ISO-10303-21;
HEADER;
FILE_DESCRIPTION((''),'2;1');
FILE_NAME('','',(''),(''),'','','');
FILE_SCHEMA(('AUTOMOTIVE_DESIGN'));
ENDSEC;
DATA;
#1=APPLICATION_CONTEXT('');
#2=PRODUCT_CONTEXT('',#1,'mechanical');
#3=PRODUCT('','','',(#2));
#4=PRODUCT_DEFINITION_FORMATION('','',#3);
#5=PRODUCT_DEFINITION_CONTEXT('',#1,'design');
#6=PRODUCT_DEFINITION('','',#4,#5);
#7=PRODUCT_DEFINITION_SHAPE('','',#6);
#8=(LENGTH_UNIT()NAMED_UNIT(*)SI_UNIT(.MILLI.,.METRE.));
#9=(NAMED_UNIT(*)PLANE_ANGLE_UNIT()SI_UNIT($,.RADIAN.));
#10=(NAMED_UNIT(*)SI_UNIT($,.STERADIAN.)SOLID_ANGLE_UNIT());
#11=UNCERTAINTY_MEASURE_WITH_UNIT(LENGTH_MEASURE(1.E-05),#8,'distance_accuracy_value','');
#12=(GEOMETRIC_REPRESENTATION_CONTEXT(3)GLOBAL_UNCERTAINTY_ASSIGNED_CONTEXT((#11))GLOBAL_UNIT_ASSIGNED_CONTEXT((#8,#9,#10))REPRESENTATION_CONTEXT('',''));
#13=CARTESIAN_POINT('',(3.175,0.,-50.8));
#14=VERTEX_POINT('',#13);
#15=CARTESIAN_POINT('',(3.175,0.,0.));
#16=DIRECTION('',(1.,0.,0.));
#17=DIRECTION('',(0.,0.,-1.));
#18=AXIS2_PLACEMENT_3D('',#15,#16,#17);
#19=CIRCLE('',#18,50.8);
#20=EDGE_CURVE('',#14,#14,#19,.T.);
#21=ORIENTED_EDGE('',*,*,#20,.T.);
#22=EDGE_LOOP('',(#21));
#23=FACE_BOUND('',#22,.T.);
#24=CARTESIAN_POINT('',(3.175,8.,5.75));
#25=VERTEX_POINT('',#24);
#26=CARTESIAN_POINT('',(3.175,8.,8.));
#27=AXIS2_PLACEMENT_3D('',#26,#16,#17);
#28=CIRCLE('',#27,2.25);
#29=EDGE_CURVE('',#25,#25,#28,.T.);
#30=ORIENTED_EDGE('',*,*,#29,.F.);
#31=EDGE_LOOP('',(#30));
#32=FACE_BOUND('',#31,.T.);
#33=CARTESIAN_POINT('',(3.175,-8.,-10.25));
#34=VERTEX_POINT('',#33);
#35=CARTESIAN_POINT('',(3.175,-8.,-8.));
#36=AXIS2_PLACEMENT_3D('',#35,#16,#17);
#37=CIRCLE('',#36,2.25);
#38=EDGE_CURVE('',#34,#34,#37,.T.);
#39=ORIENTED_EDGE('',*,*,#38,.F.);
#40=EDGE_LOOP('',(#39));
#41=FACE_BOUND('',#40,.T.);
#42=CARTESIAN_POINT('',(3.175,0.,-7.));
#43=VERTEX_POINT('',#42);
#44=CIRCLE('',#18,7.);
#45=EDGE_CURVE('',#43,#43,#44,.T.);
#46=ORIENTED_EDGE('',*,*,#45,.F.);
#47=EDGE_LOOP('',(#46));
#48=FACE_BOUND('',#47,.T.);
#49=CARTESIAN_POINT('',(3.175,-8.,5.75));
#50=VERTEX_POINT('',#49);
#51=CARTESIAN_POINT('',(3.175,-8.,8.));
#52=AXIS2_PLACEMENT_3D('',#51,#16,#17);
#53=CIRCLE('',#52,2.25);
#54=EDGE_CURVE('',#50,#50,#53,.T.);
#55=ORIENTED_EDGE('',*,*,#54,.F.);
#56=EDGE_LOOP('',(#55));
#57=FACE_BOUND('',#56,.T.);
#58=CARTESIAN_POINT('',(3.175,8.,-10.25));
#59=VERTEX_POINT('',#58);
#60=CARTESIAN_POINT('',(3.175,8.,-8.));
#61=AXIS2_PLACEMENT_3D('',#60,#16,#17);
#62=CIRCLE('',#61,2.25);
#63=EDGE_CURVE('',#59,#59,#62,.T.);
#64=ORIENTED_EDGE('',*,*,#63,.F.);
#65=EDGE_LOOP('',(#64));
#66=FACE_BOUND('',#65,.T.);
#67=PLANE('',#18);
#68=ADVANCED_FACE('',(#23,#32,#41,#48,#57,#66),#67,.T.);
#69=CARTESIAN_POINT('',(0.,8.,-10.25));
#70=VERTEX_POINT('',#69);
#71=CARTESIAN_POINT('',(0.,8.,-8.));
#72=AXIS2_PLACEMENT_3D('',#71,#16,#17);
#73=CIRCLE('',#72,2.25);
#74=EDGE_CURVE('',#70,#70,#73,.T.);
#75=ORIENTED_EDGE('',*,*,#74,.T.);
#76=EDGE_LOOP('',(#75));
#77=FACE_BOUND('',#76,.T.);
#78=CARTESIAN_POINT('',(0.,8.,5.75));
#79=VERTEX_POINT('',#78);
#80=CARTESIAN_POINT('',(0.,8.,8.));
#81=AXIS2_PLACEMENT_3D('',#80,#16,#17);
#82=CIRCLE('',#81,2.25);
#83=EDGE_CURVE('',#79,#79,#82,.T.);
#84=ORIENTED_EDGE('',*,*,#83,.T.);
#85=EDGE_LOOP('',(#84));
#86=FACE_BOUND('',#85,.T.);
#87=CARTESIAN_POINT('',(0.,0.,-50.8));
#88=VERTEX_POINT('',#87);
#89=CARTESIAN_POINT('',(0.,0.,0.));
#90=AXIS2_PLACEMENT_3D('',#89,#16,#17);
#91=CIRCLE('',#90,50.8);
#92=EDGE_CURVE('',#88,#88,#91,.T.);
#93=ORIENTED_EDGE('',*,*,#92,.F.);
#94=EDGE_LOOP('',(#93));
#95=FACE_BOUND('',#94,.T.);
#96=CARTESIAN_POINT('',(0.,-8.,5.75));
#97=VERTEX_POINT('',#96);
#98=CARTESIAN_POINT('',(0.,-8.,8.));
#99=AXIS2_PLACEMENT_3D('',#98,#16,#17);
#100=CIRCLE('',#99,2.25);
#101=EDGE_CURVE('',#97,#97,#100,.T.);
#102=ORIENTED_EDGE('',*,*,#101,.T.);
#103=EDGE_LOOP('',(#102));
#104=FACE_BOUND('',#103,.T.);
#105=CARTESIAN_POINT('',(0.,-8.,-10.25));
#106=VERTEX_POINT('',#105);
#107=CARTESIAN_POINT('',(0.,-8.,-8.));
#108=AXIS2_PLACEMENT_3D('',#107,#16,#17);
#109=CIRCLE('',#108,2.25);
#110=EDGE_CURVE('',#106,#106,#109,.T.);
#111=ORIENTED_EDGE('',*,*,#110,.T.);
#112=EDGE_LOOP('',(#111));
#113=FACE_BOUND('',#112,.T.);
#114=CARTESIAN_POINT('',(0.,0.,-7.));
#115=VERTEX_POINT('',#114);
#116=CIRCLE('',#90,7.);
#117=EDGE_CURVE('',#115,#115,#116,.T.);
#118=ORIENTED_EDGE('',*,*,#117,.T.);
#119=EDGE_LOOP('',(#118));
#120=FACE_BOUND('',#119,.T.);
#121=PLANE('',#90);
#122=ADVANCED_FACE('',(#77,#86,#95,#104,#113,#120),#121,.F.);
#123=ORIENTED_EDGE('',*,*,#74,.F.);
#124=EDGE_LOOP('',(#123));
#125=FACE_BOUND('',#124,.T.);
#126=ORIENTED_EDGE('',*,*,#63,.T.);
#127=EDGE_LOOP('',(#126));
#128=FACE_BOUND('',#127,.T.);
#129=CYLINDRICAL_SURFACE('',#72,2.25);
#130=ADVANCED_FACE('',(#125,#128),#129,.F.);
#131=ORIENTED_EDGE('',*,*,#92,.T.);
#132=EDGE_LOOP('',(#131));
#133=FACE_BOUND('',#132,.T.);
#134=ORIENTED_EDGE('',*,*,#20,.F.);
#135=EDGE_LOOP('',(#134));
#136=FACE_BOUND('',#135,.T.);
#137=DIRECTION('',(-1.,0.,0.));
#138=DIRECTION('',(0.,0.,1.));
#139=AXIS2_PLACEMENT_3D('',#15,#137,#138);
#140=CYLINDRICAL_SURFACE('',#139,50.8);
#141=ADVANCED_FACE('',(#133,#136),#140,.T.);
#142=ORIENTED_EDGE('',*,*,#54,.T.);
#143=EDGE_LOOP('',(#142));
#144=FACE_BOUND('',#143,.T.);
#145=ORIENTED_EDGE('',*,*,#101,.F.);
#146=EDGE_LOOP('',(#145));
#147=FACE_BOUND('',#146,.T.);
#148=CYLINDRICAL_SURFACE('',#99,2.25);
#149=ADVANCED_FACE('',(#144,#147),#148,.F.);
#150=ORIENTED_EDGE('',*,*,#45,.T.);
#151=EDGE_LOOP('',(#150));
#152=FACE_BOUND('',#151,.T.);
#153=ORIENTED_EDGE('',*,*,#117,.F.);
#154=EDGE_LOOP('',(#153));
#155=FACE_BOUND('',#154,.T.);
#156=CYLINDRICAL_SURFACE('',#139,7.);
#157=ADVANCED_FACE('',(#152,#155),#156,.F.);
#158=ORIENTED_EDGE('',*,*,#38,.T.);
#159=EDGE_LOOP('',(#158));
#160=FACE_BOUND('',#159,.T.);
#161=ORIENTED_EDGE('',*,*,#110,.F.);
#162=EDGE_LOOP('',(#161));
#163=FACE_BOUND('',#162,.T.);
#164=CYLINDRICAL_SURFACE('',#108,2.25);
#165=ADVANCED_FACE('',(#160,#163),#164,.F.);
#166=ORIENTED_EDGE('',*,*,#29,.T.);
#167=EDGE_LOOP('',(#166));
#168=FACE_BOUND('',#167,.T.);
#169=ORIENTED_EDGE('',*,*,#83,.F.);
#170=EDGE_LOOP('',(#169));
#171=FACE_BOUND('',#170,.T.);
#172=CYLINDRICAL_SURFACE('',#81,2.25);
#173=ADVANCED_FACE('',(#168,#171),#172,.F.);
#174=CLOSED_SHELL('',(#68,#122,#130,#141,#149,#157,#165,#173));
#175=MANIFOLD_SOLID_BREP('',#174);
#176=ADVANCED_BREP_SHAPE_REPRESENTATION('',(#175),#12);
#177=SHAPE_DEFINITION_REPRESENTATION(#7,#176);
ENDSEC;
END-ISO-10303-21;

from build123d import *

# Parameters (mm, degrees)
SKETCH1_R           = 50.8
SKETCH1_R_2         = 7
BOSS_EXTRUDE2_DEPTH = 3.175
SKETCH2_R           = 2.25
CUT_EXTRUDE1_DEPTH  = 3.175


with BuildPart() as part:
    # Sketch1 → Boss-Extrude2 (new body)
    with BuildSketch(Plane.YZ):
        with Locations(Location((0, 0, 0), (0, 0, 270))):
            Circle(SKETCH1_R)
        with Locations(Location((0, 0, 0), (0, 0, 270))):
            Circle(SKETCH1_R_2, mode=Mode.SUBTRACT)
    extrude(amount=BOSS_EXTRUDE2_DEPTH)

    # Sketch2 → Cut-Extrude1 (cut)
    with BuildSketch(Plane.YZ.offset(3.175)):
        with Locations(Location((-8, 8, 0), (0, 0, 270))):
            Circle(SKETCH2_R)
        with Locations(Location((8, 8, 0), (0, 0, 270))):
            Circle(SKETCH2_R)
        with Locations(Location((8, -8, 0), (0, 0, 270))):
            Circle(SKETCH2_R)
        with Locations(Location((-8, -8, 0), (0, 0, 270))):
            Circle(SKETCH2_R)
    extrude(amount=-CUT_EXTRUDE1_DEPTH, mode=Mode.SUBTRACT)


solid = part.part
